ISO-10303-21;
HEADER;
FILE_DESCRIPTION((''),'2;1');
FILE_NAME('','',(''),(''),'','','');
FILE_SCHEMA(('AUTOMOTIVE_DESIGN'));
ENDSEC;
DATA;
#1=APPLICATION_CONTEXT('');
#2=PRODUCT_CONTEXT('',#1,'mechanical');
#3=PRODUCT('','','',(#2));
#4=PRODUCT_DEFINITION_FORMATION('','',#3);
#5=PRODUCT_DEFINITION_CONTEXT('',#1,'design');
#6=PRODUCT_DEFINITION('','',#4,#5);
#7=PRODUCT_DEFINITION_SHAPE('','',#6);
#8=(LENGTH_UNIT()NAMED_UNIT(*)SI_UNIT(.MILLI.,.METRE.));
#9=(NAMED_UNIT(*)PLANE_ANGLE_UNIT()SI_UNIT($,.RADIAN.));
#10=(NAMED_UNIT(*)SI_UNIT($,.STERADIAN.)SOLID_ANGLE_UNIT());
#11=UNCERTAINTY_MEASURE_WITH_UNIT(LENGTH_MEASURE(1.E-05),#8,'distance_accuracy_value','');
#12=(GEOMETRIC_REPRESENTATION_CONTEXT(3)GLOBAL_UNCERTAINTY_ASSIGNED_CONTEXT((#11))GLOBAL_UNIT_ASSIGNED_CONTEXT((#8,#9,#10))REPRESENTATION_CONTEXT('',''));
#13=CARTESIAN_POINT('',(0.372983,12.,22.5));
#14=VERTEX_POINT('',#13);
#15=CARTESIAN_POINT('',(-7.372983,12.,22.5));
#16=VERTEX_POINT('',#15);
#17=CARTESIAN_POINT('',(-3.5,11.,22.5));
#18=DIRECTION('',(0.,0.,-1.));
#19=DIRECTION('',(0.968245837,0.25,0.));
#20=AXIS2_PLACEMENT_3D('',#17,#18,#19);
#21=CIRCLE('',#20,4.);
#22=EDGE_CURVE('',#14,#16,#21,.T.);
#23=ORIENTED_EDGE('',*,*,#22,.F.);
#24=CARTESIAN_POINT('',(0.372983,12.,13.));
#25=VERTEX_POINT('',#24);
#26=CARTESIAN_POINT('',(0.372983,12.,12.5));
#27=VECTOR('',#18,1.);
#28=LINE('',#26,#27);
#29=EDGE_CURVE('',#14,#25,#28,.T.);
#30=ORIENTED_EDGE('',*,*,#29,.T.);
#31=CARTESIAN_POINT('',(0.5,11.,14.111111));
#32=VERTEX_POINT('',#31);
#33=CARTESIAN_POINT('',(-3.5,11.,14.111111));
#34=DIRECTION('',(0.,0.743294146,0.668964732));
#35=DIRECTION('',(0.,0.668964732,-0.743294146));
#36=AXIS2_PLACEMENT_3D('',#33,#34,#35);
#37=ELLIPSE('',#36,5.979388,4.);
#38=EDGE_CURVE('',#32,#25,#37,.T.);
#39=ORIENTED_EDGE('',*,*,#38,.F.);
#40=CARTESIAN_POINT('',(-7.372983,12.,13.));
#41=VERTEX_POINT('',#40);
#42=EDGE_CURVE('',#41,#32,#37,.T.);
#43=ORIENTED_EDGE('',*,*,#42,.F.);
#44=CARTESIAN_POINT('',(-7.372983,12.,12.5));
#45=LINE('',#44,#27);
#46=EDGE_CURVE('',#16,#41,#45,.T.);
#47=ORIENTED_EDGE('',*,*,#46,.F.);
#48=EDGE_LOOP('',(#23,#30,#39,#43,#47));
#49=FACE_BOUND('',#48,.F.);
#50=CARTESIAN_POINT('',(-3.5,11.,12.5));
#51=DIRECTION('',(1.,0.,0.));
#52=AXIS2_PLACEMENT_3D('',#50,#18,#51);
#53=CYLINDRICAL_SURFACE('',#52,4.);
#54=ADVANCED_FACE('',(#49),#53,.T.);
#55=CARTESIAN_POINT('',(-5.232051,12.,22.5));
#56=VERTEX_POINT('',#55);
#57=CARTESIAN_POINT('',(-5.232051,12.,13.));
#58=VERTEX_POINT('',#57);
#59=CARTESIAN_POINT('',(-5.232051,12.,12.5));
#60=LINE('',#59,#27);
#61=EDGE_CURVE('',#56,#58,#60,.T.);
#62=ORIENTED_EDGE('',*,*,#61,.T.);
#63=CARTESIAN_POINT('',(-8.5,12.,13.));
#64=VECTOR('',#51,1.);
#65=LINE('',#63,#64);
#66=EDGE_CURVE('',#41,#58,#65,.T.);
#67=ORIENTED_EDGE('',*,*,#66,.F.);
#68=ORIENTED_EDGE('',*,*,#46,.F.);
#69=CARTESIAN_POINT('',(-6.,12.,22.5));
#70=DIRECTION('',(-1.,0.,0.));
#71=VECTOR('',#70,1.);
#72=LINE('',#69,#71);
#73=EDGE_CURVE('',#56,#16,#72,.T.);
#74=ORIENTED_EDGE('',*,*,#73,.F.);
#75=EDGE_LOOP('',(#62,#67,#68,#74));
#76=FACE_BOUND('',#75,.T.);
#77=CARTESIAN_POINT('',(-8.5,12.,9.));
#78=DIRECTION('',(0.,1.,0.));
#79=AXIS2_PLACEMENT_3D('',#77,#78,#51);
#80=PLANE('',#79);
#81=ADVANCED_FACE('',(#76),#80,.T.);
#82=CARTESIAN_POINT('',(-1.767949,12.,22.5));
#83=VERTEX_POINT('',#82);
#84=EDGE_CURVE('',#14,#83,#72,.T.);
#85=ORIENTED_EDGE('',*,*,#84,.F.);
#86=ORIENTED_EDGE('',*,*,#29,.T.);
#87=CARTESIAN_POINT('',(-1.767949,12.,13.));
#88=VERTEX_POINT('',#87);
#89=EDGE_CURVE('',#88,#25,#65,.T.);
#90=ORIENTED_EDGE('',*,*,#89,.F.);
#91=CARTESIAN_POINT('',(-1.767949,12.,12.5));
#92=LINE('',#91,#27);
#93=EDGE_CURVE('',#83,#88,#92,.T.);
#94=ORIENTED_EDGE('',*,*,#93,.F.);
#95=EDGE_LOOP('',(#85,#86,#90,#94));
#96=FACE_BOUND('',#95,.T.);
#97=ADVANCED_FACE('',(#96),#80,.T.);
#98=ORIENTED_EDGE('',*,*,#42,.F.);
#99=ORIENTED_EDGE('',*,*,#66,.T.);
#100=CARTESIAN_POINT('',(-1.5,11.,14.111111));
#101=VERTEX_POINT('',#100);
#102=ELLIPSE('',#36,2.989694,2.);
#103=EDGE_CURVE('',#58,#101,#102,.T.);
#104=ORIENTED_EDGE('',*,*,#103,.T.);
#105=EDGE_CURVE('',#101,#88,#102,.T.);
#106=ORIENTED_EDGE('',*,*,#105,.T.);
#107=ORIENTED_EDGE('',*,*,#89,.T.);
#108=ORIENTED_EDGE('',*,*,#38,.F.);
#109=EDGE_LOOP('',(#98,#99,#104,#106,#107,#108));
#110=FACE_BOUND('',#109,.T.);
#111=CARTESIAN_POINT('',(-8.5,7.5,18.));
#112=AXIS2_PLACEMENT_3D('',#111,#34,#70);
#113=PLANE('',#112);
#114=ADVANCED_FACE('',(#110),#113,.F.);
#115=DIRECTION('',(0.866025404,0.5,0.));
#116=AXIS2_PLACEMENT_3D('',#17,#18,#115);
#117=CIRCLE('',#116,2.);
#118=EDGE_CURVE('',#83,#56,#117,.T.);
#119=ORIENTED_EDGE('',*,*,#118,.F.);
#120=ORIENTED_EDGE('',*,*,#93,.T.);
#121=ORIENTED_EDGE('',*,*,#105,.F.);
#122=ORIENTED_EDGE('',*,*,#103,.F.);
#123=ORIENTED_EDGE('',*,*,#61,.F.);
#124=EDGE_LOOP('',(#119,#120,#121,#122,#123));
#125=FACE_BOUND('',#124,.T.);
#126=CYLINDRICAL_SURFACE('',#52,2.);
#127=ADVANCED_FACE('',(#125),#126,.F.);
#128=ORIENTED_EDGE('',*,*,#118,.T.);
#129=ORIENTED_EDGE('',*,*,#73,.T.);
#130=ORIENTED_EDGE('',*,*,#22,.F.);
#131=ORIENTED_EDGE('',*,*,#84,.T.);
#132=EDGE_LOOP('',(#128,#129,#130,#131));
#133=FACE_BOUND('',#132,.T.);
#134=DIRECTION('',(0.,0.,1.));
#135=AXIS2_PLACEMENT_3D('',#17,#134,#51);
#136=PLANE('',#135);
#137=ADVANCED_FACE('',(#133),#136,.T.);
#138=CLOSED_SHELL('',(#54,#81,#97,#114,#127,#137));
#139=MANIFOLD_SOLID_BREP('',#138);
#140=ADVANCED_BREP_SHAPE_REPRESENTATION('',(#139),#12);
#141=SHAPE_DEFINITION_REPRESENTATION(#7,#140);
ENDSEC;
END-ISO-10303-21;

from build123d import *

# Parameters (mm, degrees)
BOX015_W                  = 10
BOX015_H                  = 10
BOX015_DEPTH              = 19
BOX014_W                  = 10
BOX014_H                  = 10
BOX014_DEPTH              = 19
CHAMFER023006003002_SIZE2 = 9
CHAMFER023006003002_SIZE  = 10
TUBE_R                    = 4
TUBE_R_2                  = 2
TUBE_DEPTH                = 10


with BuildPart() as cube015:
    # Box015 → Box015 (new body)
    with BuildSketch(Plane(origin=(-8.5, 12, 8.5), x_dir=(1, 0, 0), z_dir=(0, 0, 1))):
        with Locations((5, 5)):
            Rectangle(BOX015_W, BOX015_H)
    extrude(amount=BOX015_DEPTH)


with BuildPart() as chamfer023006003002:
    # Box014 → Box014 (new body)
    with BuildSketch(Plane(origin=(-10.5, 0, 0), x_dir=(1, 0, 0), z_dir=(0, 0, 1))):
        with Locations((5, 5)):
            Rectangle(BOX014_W, BOX014_H)
    extrude(amount=BOX014_DEPTH)

    # Chamfer023006003002
    chamfer023006003002_edges = [chamfer023006003002.edges().sort_by_distance(p)[0] for p in [
        (-5.5, 10, 19),
    ]]
    chamfer023006003002_side = chamfer023006003002.faces().sort_by_distance((-5.5, 10, 9.5))[0]
    chamfer(chamfer023006003002_edges, length=CHAMFER023006003002_SIZE, length2=CHAMFER023006003002_SIZE2, reference=chamfer023006003002_side)


with BuildPart() as chamfer023006003002_1:
    # Chamfer023006003002 placement: moved
    add(chamfer023006003002.part.moved(Location((2, 2, 3.5))))


with BuildPart() as cut003001018:
    # Tube → Tube (new body)
    with BuildSketch(Plane(origin=(-3.5, 11, 12), x_dir=(1, 0, 0), z_dir=(0, 0, 1))):
        Circle(TUBE_R)
        Circle(TUBE_R_2, mode=Mode.SUBTRACT)
    extrude(amount=TUBE_DEPTH)

    # Cut003001017: cut Chamfer023006003002
    add(chamfer023006003002_1.part, mode=Mode.SUBTRACT)

    # Cut003001018: cut Cube015
    add(cube015.part, mode=Mode.SUBTRACT)


with BuildPart() as cut003001018_1:
    # Cut003001018 placement: moved
    add(cut003001018.part.moved(Location((0, 0, 0.5))))


solid = cut003001018_1.part
